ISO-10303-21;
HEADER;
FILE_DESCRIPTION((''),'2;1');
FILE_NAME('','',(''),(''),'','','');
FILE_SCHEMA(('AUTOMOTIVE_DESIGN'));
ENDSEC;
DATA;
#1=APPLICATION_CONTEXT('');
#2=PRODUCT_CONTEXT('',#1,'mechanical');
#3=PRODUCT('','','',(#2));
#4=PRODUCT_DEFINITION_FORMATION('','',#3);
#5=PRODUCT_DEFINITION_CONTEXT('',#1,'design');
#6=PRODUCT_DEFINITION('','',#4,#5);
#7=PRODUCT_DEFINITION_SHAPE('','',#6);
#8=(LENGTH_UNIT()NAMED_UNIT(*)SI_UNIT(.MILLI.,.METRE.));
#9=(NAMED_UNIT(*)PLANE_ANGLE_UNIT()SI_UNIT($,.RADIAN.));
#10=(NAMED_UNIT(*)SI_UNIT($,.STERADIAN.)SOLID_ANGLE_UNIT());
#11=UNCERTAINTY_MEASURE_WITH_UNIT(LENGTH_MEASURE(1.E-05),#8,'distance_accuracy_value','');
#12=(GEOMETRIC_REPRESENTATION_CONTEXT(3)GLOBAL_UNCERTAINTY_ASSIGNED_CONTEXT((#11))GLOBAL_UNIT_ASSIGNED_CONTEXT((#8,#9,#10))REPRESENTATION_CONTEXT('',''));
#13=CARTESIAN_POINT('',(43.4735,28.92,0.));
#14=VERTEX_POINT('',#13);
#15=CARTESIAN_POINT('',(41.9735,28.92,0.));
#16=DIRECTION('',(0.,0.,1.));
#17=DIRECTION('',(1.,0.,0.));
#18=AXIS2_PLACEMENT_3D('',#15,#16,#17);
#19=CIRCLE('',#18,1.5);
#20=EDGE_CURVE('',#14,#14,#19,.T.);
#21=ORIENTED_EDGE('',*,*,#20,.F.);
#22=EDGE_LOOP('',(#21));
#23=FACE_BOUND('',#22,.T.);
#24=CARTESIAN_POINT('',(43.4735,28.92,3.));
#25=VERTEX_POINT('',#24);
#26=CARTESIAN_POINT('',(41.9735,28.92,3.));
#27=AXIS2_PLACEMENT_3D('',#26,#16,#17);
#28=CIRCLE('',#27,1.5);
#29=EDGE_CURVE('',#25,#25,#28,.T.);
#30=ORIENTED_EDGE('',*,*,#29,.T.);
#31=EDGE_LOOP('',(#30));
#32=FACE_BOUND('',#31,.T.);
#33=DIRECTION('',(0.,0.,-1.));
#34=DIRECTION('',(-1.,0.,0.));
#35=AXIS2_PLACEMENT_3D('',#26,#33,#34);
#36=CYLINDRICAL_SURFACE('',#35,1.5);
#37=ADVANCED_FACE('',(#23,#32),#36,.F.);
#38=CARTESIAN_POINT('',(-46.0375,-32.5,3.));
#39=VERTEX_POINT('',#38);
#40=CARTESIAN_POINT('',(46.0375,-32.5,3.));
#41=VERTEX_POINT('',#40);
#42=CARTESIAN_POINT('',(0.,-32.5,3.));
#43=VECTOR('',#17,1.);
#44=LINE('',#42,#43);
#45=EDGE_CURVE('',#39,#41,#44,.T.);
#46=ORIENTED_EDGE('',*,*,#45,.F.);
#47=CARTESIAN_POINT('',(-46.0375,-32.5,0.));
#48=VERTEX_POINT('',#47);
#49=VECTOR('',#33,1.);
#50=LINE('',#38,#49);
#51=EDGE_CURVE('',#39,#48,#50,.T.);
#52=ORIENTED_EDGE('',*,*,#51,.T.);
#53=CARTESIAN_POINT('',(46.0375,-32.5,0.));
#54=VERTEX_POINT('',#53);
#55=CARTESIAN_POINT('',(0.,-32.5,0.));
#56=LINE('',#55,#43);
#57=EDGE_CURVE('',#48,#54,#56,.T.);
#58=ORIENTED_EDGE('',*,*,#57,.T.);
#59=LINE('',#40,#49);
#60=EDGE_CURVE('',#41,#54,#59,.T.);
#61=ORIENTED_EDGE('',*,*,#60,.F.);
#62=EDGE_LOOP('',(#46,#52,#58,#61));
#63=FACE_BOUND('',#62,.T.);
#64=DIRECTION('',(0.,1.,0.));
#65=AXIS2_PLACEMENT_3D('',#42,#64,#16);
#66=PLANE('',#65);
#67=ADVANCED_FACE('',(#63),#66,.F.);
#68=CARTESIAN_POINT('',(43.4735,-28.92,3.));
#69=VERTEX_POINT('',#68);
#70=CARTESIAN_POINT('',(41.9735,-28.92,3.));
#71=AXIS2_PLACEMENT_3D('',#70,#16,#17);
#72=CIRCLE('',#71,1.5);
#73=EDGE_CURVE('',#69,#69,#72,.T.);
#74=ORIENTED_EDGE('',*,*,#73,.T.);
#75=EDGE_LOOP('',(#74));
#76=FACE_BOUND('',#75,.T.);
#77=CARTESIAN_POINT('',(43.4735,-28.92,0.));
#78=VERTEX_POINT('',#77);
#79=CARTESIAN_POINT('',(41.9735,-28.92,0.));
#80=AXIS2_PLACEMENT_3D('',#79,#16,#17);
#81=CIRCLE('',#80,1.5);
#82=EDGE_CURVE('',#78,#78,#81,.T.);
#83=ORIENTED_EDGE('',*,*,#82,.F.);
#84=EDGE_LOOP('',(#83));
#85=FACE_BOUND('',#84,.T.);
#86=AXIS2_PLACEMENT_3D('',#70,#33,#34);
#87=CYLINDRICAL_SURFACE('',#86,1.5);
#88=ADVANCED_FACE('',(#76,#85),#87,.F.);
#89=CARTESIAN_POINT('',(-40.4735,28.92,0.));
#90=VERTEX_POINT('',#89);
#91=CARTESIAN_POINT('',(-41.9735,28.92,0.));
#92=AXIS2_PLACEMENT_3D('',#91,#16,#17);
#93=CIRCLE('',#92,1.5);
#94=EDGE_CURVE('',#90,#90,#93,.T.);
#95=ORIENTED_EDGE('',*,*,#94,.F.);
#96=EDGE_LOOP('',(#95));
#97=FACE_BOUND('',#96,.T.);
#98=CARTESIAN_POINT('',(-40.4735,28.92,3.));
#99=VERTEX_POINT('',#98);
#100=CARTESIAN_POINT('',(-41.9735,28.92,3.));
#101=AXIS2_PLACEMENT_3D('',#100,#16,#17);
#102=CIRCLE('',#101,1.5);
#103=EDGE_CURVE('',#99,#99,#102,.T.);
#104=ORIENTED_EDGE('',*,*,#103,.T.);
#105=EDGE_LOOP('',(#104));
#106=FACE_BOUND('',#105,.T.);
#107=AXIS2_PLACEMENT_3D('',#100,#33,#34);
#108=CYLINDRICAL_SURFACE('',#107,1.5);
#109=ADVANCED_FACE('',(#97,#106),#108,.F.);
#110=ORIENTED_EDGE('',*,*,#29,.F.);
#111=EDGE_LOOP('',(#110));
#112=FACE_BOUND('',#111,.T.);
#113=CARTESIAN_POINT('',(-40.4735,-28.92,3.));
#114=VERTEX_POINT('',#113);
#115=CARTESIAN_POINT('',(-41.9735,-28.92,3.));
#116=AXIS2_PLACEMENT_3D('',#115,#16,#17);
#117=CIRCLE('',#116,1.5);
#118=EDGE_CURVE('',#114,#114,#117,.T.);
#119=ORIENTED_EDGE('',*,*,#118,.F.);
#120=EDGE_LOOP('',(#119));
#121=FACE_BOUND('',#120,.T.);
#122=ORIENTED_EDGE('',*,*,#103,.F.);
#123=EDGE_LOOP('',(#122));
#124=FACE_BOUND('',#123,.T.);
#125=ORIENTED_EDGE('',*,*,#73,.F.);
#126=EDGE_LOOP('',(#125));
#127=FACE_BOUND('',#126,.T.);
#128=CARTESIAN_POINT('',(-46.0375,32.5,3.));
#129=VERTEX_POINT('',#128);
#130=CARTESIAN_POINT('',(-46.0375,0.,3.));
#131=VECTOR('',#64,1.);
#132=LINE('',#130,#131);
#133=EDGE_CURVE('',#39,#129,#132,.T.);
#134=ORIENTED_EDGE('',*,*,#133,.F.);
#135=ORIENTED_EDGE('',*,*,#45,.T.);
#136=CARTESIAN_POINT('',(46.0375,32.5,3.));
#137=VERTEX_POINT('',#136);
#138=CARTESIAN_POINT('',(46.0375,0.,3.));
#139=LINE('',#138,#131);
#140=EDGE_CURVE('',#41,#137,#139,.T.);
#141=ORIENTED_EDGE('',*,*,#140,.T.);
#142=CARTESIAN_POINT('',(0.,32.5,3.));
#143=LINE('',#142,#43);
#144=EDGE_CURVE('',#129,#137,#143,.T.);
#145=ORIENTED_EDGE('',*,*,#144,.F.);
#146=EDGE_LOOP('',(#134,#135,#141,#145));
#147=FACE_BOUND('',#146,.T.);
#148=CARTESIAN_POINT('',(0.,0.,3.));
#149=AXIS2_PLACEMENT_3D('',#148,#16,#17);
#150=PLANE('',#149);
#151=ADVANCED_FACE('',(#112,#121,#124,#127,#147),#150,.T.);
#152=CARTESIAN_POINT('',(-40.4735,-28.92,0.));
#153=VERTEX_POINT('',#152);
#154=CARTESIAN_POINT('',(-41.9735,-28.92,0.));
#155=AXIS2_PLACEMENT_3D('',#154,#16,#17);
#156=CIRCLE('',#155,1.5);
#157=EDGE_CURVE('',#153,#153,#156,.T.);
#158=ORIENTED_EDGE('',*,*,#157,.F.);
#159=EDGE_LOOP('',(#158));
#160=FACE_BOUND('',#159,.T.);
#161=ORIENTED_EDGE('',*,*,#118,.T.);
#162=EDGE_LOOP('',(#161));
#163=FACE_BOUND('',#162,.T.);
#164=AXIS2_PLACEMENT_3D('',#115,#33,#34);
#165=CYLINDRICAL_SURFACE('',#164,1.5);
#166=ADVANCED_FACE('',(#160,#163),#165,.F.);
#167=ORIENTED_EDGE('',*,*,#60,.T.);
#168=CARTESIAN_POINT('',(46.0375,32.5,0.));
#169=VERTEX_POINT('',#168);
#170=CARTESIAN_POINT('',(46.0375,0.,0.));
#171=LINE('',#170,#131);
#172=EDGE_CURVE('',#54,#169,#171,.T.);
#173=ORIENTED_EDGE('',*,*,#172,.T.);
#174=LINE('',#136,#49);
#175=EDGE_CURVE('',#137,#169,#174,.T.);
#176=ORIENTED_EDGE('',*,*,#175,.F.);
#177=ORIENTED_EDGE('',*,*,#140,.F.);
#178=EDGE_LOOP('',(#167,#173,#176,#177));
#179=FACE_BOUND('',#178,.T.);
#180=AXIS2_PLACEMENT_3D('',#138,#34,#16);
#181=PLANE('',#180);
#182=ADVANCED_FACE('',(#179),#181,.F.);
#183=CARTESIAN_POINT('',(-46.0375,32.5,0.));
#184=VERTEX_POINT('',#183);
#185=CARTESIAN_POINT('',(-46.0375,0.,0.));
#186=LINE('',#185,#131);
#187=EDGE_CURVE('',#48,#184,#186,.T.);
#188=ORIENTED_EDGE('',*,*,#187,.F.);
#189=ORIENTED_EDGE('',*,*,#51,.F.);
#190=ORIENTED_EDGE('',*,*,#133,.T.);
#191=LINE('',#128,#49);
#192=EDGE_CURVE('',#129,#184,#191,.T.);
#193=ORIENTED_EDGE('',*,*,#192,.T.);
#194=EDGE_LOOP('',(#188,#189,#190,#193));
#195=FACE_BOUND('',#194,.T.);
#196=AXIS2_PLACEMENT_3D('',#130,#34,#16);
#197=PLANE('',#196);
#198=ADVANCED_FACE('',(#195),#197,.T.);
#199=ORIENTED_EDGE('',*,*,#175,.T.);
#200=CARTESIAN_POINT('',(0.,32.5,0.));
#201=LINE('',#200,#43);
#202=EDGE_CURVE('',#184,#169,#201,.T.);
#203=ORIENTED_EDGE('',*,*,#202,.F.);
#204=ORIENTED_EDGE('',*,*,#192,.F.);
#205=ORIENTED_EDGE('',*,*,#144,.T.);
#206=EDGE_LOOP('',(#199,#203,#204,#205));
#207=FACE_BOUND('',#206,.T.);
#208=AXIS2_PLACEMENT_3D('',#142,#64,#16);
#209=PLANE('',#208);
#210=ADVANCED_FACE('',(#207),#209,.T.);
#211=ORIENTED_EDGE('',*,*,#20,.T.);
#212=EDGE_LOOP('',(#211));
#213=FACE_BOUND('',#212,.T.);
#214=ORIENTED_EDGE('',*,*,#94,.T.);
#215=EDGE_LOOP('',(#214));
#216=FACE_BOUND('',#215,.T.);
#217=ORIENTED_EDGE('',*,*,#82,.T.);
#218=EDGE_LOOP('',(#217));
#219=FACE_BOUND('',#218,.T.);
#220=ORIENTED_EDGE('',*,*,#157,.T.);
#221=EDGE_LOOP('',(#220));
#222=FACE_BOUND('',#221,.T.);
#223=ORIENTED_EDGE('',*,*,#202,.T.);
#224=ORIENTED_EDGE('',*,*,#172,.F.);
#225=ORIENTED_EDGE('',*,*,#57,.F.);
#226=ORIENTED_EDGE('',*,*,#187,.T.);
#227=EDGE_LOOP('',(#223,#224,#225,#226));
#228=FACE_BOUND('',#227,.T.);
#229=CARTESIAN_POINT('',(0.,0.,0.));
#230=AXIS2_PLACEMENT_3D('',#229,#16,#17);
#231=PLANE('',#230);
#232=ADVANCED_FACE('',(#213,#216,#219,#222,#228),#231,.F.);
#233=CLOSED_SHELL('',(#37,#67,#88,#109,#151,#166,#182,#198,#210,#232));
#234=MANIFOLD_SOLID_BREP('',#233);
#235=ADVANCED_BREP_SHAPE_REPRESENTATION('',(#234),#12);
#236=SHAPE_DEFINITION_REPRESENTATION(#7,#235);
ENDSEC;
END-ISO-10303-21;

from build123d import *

# Parameters (mm, degrees)
SKETCH_1_W      = 92.075
SKETCH_1_H      = 65
SKETCH_1_R      = 1.5
EXTRUDE_1_DEPTH = 3


with BuildPart() as part:
    # 草图1 → 凸台-拉伸1 (new body)
    with BuildSketch(Plane.XY):
        Rectangle(SKETCH_1_W, SKETCH_1_H)
        with Locations((-41.9735, 28.92)):
            Circle(SKETCH_1_R, mode=Mode.SUBTRACT)
        with Locations((41.9735, 28.92)):
            Circle(SKETCH_1_R, mode=Mode.SUBTRACT)
        with Locations((41.9735, -28.92)):
            Circle(SKETCH_1_R, mode=Mode.SUBTRACT)
        with Locations((-41.9735, -28.92)):
            Circle(SKETCH_1_R, mode=Mode.SUBTRACT)
    extrude(amount=EXTRUDE_1_DEPTH)


solid = part.part
